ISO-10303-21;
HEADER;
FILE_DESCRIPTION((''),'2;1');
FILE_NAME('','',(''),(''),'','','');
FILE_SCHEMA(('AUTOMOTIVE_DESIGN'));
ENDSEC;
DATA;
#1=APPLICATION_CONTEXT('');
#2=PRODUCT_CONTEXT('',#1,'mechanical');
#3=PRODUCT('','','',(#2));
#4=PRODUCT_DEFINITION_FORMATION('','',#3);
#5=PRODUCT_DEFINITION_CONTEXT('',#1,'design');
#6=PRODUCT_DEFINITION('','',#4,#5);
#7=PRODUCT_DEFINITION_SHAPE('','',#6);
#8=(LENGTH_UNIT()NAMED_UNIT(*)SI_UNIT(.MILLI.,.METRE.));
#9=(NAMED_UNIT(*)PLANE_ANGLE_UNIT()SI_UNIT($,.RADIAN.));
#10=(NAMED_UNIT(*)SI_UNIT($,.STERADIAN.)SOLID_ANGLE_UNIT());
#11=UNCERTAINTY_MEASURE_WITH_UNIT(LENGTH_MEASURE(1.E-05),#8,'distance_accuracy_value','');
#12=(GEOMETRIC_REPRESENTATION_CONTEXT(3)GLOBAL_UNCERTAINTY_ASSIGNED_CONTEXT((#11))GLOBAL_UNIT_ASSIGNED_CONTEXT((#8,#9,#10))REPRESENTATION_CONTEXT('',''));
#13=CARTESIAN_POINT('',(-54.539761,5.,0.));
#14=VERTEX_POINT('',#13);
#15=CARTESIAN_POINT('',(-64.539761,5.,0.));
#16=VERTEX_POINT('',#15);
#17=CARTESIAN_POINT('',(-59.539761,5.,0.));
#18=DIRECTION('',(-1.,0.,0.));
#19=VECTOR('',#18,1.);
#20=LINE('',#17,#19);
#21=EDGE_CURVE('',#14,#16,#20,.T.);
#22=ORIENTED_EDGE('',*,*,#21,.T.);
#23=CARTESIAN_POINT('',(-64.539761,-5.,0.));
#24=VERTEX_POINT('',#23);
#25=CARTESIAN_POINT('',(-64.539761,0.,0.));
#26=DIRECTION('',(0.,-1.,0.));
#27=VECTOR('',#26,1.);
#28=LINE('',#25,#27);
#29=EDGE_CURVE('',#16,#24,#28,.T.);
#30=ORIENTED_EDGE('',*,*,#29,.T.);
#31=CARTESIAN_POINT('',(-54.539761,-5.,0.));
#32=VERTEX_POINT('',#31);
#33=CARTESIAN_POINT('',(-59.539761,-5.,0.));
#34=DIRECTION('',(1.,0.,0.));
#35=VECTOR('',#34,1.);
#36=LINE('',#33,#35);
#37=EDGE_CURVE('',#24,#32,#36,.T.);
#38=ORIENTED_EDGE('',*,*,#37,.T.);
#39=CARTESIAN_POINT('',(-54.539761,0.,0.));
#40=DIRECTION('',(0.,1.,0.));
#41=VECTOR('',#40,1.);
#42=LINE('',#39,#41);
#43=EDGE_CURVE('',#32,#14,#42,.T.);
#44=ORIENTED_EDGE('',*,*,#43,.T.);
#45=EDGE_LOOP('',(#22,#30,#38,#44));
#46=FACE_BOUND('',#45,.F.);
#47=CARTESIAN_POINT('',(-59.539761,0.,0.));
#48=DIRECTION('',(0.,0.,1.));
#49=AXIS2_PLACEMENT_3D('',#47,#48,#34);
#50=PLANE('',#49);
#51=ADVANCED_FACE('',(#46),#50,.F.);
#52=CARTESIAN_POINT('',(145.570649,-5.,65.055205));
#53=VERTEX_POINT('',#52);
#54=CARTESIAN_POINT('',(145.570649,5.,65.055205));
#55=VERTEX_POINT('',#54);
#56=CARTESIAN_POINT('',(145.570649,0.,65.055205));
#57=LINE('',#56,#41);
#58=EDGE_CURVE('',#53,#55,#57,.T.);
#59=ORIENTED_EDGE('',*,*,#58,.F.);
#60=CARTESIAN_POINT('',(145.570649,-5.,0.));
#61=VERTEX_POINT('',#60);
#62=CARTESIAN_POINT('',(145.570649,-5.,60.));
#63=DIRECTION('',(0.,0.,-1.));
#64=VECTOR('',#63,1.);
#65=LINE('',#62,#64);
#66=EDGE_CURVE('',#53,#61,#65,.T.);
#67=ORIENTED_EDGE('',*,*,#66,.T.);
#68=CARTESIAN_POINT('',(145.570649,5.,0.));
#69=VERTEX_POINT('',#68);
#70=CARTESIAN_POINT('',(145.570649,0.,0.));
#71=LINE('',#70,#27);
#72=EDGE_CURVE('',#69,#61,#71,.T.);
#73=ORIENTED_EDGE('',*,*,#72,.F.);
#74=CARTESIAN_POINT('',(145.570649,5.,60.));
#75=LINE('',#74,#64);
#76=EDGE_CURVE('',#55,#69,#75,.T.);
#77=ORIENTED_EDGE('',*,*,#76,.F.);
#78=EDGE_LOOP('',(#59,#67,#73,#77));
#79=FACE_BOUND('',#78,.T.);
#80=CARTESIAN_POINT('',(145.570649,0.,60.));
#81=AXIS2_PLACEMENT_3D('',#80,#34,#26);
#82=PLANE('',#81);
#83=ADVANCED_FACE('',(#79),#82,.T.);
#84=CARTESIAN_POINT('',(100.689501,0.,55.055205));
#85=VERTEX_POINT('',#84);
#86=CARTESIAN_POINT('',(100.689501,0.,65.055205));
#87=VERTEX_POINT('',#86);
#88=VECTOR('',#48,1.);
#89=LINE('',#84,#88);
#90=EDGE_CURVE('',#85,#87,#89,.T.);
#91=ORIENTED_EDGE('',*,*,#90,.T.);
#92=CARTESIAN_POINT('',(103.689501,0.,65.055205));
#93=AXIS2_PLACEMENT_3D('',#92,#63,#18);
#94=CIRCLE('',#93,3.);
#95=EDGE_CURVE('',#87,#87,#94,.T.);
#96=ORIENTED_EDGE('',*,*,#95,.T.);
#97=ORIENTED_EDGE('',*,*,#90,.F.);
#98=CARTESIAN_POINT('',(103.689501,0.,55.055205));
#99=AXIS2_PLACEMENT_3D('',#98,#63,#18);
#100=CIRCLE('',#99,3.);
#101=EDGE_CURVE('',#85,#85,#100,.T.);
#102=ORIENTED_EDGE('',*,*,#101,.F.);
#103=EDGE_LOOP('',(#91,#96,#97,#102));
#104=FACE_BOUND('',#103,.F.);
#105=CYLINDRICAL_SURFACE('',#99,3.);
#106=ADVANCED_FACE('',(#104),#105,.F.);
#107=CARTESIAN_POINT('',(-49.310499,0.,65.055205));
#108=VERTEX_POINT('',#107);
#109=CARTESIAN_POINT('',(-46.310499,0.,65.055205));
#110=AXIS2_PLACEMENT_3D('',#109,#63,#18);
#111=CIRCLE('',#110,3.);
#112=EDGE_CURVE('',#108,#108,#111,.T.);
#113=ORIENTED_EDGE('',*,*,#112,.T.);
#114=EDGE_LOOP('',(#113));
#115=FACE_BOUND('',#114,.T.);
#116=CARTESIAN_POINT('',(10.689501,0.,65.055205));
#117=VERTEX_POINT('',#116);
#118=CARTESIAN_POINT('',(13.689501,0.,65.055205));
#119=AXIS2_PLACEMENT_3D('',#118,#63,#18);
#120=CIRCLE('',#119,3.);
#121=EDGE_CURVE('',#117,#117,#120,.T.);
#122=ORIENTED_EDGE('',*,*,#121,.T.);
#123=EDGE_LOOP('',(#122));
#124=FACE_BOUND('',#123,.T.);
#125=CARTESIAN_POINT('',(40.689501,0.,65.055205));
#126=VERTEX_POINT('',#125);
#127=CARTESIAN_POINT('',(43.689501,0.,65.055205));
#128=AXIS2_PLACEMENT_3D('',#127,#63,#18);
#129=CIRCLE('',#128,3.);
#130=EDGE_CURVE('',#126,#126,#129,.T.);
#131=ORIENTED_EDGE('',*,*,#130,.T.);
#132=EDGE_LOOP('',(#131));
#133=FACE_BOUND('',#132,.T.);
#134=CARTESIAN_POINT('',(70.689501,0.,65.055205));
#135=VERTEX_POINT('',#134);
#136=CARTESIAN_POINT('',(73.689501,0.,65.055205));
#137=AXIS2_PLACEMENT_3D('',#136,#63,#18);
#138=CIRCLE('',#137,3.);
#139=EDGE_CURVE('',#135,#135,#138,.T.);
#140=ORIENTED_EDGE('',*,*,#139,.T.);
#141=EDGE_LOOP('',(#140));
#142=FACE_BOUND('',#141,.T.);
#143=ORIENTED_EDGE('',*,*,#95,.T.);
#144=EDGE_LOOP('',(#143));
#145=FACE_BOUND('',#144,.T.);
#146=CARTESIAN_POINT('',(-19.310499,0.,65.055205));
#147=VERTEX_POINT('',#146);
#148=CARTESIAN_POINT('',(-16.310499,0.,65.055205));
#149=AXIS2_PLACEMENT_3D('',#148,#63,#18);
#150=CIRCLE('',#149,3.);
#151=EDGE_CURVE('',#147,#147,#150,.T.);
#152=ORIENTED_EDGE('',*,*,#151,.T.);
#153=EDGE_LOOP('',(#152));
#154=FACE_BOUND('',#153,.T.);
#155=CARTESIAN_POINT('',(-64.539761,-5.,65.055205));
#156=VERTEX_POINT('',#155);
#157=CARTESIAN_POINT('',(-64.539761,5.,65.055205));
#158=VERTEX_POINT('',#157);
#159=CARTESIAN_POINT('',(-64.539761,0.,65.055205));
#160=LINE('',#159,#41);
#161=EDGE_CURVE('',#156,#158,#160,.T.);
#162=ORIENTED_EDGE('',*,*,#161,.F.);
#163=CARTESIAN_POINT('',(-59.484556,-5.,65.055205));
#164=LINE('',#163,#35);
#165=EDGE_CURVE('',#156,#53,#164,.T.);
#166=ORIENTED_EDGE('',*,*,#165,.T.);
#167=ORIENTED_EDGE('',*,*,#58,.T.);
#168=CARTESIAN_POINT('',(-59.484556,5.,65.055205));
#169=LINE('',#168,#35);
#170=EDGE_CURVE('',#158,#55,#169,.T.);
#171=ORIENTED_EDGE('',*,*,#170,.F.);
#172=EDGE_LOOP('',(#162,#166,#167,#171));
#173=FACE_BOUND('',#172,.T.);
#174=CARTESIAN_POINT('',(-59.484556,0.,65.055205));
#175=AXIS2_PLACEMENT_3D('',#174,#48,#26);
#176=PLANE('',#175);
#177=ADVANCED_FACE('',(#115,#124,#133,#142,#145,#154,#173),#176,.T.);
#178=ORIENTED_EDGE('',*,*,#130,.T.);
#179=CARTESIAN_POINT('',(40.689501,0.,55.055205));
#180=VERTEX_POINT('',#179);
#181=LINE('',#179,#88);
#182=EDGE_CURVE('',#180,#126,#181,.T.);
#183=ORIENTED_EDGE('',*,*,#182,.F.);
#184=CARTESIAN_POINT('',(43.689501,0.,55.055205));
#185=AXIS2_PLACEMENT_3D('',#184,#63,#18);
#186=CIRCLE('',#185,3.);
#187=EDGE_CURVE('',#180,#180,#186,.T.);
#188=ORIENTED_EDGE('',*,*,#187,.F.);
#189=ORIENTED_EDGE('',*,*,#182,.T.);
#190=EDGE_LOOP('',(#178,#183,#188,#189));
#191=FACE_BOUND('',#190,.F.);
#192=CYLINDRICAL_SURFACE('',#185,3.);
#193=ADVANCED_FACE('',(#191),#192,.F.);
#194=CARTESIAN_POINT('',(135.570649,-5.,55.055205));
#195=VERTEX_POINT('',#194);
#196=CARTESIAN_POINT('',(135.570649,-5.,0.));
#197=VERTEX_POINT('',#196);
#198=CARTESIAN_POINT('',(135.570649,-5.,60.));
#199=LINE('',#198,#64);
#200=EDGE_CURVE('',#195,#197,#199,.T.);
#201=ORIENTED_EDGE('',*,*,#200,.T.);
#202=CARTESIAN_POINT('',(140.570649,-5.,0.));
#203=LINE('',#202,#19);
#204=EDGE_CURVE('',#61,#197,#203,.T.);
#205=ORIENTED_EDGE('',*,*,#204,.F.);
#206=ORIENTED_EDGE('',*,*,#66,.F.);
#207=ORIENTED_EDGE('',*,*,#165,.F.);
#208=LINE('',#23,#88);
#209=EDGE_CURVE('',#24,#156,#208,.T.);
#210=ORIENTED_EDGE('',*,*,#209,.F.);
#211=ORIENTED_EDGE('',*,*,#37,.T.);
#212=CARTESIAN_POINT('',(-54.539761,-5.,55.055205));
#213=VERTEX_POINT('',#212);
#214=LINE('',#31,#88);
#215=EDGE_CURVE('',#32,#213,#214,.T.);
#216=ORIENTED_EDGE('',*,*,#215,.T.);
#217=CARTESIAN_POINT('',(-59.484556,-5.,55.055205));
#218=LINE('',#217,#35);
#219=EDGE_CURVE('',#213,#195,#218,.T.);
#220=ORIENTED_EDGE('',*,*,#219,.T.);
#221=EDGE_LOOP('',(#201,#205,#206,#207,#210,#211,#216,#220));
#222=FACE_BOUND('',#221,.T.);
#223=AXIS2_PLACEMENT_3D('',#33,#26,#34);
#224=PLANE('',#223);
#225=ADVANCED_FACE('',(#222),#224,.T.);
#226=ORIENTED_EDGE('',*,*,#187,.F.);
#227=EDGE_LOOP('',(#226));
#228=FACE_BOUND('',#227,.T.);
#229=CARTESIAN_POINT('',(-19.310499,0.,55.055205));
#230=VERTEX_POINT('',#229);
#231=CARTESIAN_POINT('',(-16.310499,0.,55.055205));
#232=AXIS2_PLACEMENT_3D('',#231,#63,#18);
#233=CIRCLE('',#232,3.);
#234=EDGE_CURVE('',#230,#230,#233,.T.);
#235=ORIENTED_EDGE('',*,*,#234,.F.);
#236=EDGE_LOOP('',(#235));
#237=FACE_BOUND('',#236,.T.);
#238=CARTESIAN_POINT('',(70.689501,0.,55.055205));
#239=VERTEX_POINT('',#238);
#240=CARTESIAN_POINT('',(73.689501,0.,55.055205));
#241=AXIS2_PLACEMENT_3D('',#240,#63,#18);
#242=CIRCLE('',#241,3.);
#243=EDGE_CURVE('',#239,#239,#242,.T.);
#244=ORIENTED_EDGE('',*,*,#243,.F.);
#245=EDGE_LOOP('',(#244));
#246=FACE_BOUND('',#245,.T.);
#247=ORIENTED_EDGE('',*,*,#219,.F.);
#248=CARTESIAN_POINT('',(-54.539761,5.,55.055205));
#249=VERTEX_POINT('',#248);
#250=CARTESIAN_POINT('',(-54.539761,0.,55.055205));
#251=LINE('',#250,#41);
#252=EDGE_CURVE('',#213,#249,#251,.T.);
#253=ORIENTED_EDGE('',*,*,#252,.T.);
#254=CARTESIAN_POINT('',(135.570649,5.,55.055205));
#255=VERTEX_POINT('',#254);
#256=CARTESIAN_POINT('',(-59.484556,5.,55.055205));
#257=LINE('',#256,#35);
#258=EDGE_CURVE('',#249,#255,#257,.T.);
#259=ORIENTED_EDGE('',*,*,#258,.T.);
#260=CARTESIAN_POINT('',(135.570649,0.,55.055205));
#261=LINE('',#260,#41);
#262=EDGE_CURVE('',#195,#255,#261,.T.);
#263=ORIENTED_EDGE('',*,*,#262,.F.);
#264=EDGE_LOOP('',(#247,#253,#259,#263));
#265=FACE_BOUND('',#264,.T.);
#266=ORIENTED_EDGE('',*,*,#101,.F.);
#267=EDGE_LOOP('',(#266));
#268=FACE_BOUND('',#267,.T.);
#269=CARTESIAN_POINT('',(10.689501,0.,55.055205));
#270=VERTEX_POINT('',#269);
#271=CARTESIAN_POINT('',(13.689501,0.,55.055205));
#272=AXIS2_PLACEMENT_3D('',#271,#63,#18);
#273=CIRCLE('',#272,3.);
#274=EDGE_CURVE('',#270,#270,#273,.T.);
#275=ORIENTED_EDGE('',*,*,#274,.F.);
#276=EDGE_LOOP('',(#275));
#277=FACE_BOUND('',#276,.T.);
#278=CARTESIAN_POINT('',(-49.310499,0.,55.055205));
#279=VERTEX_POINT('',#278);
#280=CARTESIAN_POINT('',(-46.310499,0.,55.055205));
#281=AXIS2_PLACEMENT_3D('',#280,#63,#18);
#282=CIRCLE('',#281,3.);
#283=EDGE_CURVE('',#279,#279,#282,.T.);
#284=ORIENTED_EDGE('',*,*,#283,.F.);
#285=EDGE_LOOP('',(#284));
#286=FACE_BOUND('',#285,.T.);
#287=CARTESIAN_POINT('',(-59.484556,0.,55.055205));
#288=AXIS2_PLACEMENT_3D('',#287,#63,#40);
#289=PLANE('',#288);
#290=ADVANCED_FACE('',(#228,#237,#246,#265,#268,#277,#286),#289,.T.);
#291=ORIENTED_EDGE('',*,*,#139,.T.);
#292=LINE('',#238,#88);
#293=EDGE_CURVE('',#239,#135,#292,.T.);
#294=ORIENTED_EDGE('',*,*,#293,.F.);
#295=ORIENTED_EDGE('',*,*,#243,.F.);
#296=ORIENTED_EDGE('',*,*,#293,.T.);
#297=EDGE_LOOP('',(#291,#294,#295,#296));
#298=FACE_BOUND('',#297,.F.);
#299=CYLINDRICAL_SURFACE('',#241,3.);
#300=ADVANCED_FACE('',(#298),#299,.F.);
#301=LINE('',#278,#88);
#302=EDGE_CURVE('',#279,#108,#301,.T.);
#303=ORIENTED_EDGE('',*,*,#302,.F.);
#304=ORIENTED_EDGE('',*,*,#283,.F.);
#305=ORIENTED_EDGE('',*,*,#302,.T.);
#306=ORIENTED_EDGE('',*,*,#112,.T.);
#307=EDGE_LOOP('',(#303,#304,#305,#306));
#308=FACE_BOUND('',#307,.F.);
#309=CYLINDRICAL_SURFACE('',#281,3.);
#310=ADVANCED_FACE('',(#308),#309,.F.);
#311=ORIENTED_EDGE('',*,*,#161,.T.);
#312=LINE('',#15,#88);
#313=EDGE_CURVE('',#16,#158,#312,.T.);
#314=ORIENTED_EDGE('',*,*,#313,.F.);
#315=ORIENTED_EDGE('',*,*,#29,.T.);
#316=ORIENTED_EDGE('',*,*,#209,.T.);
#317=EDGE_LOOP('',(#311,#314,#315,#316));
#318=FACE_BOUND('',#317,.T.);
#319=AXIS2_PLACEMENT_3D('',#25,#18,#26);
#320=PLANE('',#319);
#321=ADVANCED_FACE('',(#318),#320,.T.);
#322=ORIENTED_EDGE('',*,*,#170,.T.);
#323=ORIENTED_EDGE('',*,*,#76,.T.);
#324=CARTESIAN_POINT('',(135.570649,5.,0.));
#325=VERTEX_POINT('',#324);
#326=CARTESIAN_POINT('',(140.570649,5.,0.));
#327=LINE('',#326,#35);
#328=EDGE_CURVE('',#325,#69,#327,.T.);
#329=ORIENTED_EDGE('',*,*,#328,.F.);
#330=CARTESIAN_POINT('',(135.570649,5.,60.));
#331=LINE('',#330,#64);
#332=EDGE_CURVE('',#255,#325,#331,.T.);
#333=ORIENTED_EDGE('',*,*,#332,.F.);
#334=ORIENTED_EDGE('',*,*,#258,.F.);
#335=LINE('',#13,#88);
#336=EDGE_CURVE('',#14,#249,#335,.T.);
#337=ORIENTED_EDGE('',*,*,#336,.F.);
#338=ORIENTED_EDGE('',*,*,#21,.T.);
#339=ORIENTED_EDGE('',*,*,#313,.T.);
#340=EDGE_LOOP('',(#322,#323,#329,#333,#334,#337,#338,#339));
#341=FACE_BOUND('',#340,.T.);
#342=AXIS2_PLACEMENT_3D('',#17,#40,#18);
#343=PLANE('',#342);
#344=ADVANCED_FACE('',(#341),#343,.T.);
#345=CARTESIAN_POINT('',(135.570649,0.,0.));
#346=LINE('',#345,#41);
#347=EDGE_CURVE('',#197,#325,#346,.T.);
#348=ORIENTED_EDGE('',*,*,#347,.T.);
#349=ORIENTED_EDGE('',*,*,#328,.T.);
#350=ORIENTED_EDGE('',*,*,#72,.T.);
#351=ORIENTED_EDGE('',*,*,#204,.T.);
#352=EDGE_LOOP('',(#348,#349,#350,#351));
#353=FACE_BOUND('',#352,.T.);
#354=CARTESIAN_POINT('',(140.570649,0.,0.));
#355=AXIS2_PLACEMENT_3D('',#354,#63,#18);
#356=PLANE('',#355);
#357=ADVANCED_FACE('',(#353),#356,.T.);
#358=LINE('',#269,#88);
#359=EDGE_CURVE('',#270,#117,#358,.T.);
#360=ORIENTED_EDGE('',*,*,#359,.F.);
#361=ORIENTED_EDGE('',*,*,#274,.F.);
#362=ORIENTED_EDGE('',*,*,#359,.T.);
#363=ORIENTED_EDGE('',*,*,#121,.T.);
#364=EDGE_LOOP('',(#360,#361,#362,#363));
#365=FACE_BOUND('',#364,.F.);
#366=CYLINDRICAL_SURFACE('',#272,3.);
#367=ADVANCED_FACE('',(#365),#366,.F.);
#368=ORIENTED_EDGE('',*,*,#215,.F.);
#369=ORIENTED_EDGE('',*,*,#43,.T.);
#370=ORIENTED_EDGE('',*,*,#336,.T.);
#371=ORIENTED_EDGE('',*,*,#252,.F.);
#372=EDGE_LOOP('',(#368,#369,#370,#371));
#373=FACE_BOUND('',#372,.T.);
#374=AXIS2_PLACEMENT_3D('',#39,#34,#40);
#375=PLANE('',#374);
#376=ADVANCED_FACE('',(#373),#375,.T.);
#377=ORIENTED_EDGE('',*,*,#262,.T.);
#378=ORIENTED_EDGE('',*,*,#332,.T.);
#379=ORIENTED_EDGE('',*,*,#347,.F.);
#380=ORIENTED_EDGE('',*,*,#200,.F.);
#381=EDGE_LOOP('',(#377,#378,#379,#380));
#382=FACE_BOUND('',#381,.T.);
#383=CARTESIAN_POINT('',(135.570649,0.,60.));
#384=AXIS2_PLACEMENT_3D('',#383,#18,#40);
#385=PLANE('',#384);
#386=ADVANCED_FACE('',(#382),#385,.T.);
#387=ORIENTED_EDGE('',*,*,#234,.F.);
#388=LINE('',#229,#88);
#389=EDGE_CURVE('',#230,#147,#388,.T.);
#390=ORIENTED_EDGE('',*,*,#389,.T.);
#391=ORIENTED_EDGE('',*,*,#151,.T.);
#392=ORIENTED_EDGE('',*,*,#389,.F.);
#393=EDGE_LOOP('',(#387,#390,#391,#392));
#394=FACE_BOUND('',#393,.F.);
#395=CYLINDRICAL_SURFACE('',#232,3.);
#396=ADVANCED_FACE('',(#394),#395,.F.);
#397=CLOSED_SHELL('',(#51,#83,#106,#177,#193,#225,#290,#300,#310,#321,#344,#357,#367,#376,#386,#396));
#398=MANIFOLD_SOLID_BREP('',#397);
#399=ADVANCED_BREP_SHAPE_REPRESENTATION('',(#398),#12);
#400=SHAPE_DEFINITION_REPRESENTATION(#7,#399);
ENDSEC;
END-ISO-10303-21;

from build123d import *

# Parameters (mm, degrees)
F1_W     = 10
F1_H     = 10
F4_DEPTH = 25


with BuildPart() as f2:
    # F2: sweep along a path in F0
    with BuildLine(Plane.XZ) as f2_path:
        Line((-59.4845563173, 0), (-59.4845563173, 60))
        Line((-59.4845563173, 60), (140.5154436827, 60))
        Line((140.5154436827, 60), (140.5154436827, 0))
    # F1 (on Top) → F2 (sweep)
    with BuildSketch(Plane.XY):
        with Locations((-59.5397613943, 0)):
            Rectangle(F1_W, F1_H)
    sweep(path=f2_path.line, transition=Transition.RIGHT)

    # F3 (on face) → F4 (cut)
    with BuildSketch(Plane(origin=(0, 0, 55.0552050769), x_dir=(1, 0, 0), z_dir=(0, 0, -1))):
        with BuildLine():
            ThreePointArc((-43.3104993105, 0), (-46.3104993105, 3), (-49.3104993105, 0))
            Line((-49.3104993105, 0), (-43.3104993105, 0))
        make_face()
        with BuildLine():
            ThreePointArc((106.6895006895, 0), (103.6895006895, 3), (100.6895006895, 0))
            Line((100.6895006895, 0), (106.6895006895, 0))
        make_face()
        with BuildLine():
            Line((106.6895006895, 0), (100.6895006895, 0))
            ThreePointArc((100.6895006895, 0), (103.6895006895, -3), (106.6895006895, 0))
        make_face()
        with BuildLine():
            ThreePointArc((76.6895006895, 0), (73.6895006895, 3), (70.6895006895, 0))
            Line((70.6895006895, 0), (76.6895006895, 0))
        make_face()
        with BuildLine():
            Line((76.6895006895, 0), (70.6895006895, 0))
            ThreePointArc((70.6895006895, 0), (73.6895006895, -3), (76.6895006895, 0))
        make_face()
        with BuildLine():
            ThreePointArc((46.6895006895, 0), (43.6895006895, 3), (40.6895006895, 0))
            Line((40.6895006895, 0), (46.6895006895, 0))
        make_face()
        with BuildLine():
            Line((46.6895006895, 0), (40.6895006895, 0))
            ThreePointArc((40.6895006895, 0), (43.6895006895, -3), (46.6895006895, 0))
        make_face()
        with BuildLine():
            ThreePointArc((16.6895006895, 0), (13.6895006895, 3), (10.6895006895, 0))
            Line((10.6895006895, 0), (16.6895006895, 0))
        make_face()
        with BuildLine():
            Line((16.6895006895, 0), (10.6895006895, 0))
            ThreePointArc((10.6895006895, 0), (13.6895006895, -3), (16.6895006895, 0))
        make_face()
        with BuildLine():
            ThreePointArc((-13.3104993105, 0), (-16.3104993105, 3), (-19.3104993105, 0))
            Line((-19.3104993105, 0), (-13.3104993105, 0))
        make_face()
        with BuildLine():
            Line((-13.3104993105, 0), (-19.3104993105, 0))
            ThreePointArc((-19.3104993105, 0), (-16.3104993105, -3), (-13.3104993105, 0))
        make_face()
        with BuildLine():
            Line((-43.3104993105, 0), (-49.3104993105, 0))
            ThreePointArc((-49.3104993105, 0), (-46.3104993105, -3), (-43.3104993105, 0))
        make_face()
    extrude(amount=-F4_DEPTH, mode=Mode.SUBTRACT)


solid = f2.part
